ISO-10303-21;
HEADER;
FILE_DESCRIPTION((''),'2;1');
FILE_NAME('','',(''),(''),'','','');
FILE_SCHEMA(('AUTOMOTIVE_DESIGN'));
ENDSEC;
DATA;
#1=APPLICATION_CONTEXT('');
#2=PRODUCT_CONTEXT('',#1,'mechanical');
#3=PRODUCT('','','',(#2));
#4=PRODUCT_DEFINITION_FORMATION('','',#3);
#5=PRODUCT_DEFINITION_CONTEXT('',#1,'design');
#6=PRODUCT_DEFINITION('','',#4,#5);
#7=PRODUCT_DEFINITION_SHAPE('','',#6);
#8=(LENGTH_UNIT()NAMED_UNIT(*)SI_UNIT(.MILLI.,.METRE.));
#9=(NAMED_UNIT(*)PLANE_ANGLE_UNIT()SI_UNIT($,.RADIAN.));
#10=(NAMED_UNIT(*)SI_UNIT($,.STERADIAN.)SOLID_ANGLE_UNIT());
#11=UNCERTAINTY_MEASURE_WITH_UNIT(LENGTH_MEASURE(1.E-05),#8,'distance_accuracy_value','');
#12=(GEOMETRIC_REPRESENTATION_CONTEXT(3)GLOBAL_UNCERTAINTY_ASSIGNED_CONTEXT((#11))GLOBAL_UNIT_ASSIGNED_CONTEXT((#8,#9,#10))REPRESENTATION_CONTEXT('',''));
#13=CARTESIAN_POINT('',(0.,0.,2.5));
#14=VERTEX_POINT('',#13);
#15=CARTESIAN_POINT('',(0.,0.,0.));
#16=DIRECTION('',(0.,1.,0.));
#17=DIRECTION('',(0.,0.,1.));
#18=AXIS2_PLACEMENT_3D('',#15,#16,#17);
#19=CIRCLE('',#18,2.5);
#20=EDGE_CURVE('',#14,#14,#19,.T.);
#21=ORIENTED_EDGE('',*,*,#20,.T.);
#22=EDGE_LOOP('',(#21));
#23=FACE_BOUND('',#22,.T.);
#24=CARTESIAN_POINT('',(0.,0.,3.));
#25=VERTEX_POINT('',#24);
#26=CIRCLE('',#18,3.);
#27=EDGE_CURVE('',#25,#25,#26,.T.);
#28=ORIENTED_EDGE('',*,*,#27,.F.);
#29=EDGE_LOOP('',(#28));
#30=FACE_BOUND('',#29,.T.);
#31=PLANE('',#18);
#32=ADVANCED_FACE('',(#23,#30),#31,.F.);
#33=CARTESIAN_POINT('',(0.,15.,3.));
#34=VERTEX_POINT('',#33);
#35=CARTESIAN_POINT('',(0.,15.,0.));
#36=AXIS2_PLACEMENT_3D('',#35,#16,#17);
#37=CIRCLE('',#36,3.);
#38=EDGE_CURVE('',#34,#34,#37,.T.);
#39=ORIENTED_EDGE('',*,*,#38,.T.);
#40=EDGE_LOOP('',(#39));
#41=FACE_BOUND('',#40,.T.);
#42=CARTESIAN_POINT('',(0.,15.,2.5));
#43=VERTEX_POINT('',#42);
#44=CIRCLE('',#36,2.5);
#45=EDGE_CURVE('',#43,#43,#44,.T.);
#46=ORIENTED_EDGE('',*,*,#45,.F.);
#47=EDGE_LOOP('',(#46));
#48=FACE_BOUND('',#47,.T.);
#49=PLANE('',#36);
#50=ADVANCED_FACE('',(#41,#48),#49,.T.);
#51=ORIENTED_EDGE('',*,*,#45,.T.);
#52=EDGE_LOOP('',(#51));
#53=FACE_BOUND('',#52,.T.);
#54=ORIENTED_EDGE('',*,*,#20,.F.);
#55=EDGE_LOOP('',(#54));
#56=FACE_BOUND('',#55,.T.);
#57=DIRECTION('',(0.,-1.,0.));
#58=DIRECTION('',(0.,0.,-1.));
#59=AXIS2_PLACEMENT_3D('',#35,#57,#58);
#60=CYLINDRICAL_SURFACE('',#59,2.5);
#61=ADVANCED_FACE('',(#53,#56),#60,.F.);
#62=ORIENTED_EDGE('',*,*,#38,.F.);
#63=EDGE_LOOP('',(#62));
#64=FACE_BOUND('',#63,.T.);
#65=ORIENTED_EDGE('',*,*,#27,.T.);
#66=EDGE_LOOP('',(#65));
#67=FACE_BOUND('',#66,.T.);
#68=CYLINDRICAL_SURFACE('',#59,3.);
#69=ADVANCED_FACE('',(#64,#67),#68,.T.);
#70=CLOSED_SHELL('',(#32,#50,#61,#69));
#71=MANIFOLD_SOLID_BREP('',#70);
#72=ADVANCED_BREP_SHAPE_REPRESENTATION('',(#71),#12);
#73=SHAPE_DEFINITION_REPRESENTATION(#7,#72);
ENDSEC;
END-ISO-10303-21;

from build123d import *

# Parameters (mm, degrees)
CROQUIS1_R              = 3
CROQUIS1_R_2            = 2.5
SALIENTE_EXTRUIR1_DEPTH = 15


with BuildPart() as part:
    # Croquis1 → Saliente-Extruir1 (new body)
    with BuildSketch(Plane(origin=(0, 0, 0), x_dir=(1, 0, 0), z_dir=(0, 1, 0))):
        Circle(CROQUIS1_R)
        Circle(CROQUIS1_R_2, mode=Mode.SUBTRACT)
    extrude(amount=SALIENTE_EXTRUIR1_DEPTH)


solid = part.part
